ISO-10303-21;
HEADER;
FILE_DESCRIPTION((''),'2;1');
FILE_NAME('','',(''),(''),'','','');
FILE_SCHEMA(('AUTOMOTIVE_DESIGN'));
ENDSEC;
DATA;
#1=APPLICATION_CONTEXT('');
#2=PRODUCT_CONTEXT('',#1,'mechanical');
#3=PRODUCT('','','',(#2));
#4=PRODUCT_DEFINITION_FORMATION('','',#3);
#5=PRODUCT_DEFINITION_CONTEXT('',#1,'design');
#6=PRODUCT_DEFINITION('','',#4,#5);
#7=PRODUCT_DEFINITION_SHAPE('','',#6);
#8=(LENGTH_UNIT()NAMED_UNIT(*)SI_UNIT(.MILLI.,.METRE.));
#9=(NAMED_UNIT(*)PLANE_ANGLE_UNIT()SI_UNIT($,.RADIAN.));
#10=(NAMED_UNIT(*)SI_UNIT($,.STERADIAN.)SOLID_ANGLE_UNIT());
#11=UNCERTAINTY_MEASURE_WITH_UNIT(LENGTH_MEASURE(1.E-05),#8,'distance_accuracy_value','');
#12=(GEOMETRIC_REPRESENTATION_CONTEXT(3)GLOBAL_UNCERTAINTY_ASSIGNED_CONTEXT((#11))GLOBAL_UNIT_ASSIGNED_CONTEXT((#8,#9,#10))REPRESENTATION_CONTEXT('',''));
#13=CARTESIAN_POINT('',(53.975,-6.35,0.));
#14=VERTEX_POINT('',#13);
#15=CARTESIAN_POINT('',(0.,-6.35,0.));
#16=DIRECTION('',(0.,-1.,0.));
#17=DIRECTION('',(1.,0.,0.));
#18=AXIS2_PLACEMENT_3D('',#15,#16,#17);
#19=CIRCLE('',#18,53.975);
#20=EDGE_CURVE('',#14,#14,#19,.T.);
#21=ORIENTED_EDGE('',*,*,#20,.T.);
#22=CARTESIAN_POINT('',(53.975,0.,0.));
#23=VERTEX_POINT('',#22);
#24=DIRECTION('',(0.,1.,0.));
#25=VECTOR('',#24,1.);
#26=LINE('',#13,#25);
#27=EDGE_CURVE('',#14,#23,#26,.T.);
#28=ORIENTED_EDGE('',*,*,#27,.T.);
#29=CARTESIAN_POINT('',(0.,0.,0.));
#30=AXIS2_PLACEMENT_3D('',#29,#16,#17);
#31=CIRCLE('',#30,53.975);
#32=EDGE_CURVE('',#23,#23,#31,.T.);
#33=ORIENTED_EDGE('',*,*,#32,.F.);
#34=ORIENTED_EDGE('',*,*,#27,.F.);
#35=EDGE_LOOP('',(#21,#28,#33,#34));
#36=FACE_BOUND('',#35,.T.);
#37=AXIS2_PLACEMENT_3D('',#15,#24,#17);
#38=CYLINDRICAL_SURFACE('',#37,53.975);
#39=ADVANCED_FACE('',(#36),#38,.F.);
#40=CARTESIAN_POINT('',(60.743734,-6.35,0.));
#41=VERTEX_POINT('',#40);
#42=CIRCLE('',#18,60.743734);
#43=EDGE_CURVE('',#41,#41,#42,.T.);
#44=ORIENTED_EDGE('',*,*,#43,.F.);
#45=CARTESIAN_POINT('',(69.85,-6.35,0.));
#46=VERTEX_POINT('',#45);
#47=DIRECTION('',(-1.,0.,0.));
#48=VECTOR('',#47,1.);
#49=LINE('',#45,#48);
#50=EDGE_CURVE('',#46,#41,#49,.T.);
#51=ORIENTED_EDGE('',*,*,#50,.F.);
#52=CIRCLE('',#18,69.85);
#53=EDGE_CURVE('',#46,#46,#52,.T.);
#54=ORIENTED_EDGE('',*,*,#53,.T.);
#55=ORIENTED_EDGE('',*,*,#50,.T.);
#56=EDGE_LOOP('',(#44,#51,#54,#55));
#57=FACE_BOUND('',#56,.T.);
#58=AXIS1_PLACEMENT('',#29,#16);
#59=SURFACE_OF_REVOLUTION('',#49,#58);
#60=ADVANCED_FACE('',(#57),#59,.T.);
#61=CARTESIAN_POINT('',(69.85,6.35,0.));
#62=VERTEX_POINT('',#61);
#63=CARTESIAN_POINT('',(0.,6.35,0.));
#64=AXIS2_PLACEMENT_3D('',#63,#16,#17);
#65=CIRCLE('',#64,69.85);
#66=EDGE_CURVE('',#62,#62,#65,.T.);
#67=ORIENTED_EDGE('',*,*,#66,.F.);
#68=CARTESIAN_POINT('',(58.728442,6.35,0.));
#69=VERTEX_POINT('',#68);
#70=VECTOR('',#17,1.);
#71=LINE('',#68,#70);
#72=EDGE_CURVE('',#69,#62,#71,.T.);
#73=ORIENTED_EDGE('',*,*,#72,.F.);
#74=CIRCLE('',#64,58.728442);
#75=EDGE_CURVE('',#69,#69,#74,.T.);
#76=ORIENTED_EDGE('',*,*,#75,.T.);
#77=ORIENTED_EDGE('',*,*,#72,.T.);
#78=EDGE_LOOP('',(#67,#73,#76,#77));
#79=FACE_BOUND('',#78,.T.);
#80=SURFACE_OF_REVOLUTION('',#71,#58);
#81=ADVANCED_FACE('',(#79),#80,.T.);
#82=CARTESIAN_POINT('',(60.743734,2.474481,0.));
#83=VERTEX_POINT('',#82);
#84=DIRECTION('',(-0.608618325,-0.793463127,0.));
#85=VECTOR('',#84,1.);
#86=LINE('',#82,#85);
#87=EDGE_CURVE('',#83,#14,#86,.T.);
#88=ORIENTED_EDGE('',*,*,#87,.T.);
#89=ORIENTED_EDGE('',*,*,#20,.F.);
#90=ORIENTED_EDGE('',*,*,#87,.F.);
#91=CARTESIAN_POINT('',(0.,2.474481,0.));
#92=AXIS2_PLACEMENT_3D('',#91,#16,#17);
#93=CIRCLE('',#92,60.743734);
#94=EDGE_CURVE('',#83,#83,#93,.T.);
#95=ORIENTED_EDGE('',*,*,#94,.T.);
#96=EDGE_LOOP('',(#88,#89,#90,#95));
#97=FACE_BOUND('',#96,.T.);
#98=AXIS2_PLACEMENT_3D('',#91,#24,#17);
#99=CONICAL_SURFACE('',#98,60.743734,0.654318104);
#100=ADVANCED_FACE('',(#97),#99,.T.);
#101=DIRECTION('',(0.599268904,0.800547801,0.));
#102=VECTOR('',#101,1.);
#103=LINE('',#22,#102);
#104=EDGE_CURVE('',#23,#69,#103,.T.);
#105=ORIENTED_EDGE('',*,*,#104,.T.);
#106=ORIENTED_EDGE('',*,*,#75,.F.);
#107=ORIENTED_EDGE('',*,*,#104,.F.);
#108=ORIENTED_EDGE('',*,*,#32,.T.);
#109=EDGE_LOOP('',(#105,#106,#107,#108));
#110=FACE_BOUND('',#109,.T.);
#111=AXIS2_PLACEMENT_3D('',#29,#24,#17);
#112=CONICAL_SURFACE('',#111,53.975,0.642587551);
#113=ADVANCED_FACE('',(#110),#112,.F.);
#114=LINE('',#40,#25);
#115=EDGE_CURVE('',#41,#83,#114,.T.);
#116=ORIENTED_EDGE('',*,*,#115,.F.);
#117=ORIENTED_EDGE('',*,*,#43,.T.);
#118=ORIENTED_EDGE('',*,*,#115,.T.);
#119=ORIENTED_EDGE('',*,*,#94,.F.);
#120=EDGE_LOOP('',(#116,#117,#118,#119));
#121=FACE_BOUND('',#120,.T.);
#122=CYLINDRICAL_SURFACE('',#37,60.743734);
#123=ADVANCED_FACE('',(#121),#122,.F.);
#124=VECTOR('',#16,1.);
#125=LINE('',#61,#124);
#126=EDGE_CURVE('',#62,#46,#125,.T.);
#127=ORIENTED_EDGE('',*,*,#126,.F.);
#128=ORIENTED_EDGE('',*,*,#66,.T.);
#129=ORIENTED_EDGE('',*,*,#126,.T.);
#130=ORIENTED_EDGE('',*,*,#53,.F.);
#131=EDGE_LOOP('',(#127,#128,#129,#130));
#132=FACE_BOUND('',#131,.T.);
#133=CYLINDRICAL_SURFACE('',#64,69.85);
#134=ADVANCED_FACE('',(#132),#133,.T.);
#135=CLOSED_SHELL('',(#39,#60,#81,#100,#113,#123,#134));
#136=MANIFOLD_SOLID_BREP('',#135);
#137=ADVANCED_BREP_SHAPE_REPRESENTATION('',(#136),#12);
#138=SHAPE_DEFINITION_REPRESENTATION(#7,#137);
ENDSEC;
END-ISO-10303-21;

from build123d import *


with BuildPart() as f2:
    # F2: sweep along a path in F0
    with BuildLine(Plane.XZ) as f2_path:
        CenterArc((0, 0), 69.85, 0, 360)
    # F1 (on Right) → F2 (sweep)
    with BuildSketch(Plane.YZ):
        Polygon((6.35, 58.728442), (6.35, 69.85), (-6.35, 69.85), (-6.35, 60.743734), (2.474481, 60.743734), (-6.35, 53.975), (0, 53.975), align=None)
    sweep(path=f2_path.line)


solid = f2.part
